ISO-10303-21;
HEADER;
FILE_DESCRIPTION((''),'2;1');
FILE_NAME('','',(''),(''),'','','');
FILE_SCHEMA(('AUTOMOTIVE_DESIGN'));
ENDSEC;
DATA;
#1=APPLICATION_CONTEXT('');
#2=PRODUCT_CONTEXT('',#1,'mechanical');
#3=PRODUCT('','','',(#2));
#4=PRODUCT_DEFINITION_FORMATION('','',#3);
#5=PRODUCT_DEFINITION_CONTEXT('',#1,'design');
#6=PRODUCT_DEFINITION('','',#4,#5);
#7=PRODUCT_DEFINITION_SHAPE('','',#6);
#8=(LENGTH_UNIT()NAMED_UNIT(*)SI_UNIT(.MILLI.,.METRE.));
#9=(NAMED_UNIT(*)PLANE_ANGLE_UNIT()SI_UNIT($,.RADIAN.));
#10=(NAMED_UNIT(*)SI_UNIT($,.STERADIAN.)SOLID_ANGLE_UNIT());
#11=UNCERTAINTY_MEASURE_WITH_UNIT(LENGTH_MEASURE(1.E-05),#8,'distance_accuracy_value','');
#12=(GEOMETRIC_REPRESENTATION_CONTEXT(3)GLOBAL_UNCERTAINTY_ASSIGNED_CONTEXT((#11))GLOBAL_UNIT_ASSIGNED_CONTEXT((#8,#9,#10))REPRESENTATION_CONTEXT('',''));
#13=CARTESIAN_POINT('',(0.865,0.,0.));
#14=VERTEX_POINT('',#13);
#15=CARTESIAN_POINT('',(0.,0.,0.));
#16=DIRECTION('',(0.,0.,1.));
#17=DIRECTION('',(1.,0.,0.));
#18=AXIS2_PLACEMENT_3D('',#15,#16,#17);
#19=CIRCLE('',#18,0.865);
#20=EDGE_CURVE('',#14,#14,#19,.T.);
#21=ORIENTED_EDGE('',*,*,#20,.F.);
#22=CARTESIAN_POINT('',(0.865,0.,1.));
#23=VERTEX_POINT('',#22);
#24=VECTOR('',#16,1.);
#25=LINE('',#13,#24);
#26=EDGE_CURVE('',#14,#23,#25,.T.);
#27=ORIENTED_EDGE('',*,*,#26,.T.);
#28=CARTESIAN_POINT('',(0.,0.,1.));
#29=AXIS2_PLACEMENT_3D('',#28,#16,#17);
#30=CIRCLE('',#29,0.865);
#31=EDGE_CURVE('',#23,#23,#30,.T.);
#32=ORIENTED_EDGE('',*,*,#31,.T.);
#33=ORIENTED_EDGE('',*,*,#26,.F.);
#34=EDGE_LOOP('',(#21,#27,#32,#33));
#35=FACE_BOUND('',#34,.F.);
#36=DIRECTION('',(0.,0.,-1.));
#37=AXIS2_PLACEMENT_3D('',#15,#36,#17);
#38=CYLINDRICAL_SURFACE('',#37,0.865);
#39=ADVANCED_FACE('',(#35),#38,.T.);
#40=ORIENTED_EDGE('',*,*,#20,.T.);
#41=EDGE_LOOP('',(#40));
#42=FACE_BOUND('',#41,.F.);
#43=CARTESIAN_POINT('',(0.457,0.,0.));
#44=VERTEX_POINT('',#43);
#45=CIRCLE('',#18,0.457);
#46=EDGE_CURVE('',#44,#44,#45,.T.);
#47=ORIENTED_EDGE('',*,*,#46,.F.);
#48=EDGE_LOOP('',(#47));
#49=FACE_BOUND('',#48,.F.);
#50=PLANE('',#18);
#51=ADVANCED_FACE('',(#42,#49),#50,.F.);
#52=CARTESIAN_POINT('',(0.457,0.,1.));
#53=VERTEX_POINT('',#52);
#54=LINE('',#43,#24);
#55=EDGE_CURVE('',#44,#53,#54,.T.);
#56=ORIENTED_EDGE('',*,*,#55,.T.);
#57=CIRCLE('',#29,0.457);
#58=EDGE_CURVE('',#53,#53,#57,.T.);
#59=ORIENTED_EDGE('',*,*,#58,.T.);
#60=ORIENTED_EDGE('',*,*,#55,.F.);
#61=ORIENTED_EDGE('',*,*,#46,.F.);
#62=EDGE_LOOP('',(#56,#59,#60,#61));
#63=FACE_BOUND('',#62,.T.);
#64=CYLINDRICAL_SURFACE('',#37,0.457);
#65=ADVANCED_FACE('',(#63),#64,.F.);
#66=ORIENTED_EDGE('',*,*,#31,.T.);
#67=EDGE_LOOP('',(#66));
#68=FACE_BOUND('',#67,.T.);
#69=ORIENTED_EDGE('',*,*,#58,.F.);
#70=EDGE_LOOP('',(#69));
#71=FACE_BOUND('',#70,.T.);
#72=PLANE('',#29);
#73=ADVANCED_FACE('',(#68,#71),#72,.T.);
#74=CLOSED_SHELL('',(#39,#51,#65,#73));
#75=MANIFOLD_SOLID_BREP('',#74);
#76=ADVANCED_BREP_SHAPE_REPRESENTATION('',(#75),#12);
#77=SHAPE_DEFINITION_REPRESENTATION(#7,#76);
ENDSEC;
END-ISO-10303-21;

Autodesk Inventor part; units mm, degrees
ref_plane "YZ Plane" through (0, 0, 0) normal (1, 0, 0) x (0, 1, 0)
ref_plane "XZ Plane" through (0, 0, 0) normal (0, 1, 0) x (-1, 0, 0)
ref_plane "XY Plane" through (0, 0, 0) normal (0, 0, 1) x (1, 0, 0)
sketch "Sketch1" plane through (0, 0, 0) normal (0, 0, 1) x (1, 0, 0)
  circle A0 centre (0, 0) radius 0.865
  circle A1 centre (0, 0) radius 0.457
  dimension "d0" = 1.73
  dimension "d1" = 0.914
extrude "Extrusion1" add sketch "Sketch1" along normal blind 1
properties part number "MU_Bottom_Stop" material "PTFE"
